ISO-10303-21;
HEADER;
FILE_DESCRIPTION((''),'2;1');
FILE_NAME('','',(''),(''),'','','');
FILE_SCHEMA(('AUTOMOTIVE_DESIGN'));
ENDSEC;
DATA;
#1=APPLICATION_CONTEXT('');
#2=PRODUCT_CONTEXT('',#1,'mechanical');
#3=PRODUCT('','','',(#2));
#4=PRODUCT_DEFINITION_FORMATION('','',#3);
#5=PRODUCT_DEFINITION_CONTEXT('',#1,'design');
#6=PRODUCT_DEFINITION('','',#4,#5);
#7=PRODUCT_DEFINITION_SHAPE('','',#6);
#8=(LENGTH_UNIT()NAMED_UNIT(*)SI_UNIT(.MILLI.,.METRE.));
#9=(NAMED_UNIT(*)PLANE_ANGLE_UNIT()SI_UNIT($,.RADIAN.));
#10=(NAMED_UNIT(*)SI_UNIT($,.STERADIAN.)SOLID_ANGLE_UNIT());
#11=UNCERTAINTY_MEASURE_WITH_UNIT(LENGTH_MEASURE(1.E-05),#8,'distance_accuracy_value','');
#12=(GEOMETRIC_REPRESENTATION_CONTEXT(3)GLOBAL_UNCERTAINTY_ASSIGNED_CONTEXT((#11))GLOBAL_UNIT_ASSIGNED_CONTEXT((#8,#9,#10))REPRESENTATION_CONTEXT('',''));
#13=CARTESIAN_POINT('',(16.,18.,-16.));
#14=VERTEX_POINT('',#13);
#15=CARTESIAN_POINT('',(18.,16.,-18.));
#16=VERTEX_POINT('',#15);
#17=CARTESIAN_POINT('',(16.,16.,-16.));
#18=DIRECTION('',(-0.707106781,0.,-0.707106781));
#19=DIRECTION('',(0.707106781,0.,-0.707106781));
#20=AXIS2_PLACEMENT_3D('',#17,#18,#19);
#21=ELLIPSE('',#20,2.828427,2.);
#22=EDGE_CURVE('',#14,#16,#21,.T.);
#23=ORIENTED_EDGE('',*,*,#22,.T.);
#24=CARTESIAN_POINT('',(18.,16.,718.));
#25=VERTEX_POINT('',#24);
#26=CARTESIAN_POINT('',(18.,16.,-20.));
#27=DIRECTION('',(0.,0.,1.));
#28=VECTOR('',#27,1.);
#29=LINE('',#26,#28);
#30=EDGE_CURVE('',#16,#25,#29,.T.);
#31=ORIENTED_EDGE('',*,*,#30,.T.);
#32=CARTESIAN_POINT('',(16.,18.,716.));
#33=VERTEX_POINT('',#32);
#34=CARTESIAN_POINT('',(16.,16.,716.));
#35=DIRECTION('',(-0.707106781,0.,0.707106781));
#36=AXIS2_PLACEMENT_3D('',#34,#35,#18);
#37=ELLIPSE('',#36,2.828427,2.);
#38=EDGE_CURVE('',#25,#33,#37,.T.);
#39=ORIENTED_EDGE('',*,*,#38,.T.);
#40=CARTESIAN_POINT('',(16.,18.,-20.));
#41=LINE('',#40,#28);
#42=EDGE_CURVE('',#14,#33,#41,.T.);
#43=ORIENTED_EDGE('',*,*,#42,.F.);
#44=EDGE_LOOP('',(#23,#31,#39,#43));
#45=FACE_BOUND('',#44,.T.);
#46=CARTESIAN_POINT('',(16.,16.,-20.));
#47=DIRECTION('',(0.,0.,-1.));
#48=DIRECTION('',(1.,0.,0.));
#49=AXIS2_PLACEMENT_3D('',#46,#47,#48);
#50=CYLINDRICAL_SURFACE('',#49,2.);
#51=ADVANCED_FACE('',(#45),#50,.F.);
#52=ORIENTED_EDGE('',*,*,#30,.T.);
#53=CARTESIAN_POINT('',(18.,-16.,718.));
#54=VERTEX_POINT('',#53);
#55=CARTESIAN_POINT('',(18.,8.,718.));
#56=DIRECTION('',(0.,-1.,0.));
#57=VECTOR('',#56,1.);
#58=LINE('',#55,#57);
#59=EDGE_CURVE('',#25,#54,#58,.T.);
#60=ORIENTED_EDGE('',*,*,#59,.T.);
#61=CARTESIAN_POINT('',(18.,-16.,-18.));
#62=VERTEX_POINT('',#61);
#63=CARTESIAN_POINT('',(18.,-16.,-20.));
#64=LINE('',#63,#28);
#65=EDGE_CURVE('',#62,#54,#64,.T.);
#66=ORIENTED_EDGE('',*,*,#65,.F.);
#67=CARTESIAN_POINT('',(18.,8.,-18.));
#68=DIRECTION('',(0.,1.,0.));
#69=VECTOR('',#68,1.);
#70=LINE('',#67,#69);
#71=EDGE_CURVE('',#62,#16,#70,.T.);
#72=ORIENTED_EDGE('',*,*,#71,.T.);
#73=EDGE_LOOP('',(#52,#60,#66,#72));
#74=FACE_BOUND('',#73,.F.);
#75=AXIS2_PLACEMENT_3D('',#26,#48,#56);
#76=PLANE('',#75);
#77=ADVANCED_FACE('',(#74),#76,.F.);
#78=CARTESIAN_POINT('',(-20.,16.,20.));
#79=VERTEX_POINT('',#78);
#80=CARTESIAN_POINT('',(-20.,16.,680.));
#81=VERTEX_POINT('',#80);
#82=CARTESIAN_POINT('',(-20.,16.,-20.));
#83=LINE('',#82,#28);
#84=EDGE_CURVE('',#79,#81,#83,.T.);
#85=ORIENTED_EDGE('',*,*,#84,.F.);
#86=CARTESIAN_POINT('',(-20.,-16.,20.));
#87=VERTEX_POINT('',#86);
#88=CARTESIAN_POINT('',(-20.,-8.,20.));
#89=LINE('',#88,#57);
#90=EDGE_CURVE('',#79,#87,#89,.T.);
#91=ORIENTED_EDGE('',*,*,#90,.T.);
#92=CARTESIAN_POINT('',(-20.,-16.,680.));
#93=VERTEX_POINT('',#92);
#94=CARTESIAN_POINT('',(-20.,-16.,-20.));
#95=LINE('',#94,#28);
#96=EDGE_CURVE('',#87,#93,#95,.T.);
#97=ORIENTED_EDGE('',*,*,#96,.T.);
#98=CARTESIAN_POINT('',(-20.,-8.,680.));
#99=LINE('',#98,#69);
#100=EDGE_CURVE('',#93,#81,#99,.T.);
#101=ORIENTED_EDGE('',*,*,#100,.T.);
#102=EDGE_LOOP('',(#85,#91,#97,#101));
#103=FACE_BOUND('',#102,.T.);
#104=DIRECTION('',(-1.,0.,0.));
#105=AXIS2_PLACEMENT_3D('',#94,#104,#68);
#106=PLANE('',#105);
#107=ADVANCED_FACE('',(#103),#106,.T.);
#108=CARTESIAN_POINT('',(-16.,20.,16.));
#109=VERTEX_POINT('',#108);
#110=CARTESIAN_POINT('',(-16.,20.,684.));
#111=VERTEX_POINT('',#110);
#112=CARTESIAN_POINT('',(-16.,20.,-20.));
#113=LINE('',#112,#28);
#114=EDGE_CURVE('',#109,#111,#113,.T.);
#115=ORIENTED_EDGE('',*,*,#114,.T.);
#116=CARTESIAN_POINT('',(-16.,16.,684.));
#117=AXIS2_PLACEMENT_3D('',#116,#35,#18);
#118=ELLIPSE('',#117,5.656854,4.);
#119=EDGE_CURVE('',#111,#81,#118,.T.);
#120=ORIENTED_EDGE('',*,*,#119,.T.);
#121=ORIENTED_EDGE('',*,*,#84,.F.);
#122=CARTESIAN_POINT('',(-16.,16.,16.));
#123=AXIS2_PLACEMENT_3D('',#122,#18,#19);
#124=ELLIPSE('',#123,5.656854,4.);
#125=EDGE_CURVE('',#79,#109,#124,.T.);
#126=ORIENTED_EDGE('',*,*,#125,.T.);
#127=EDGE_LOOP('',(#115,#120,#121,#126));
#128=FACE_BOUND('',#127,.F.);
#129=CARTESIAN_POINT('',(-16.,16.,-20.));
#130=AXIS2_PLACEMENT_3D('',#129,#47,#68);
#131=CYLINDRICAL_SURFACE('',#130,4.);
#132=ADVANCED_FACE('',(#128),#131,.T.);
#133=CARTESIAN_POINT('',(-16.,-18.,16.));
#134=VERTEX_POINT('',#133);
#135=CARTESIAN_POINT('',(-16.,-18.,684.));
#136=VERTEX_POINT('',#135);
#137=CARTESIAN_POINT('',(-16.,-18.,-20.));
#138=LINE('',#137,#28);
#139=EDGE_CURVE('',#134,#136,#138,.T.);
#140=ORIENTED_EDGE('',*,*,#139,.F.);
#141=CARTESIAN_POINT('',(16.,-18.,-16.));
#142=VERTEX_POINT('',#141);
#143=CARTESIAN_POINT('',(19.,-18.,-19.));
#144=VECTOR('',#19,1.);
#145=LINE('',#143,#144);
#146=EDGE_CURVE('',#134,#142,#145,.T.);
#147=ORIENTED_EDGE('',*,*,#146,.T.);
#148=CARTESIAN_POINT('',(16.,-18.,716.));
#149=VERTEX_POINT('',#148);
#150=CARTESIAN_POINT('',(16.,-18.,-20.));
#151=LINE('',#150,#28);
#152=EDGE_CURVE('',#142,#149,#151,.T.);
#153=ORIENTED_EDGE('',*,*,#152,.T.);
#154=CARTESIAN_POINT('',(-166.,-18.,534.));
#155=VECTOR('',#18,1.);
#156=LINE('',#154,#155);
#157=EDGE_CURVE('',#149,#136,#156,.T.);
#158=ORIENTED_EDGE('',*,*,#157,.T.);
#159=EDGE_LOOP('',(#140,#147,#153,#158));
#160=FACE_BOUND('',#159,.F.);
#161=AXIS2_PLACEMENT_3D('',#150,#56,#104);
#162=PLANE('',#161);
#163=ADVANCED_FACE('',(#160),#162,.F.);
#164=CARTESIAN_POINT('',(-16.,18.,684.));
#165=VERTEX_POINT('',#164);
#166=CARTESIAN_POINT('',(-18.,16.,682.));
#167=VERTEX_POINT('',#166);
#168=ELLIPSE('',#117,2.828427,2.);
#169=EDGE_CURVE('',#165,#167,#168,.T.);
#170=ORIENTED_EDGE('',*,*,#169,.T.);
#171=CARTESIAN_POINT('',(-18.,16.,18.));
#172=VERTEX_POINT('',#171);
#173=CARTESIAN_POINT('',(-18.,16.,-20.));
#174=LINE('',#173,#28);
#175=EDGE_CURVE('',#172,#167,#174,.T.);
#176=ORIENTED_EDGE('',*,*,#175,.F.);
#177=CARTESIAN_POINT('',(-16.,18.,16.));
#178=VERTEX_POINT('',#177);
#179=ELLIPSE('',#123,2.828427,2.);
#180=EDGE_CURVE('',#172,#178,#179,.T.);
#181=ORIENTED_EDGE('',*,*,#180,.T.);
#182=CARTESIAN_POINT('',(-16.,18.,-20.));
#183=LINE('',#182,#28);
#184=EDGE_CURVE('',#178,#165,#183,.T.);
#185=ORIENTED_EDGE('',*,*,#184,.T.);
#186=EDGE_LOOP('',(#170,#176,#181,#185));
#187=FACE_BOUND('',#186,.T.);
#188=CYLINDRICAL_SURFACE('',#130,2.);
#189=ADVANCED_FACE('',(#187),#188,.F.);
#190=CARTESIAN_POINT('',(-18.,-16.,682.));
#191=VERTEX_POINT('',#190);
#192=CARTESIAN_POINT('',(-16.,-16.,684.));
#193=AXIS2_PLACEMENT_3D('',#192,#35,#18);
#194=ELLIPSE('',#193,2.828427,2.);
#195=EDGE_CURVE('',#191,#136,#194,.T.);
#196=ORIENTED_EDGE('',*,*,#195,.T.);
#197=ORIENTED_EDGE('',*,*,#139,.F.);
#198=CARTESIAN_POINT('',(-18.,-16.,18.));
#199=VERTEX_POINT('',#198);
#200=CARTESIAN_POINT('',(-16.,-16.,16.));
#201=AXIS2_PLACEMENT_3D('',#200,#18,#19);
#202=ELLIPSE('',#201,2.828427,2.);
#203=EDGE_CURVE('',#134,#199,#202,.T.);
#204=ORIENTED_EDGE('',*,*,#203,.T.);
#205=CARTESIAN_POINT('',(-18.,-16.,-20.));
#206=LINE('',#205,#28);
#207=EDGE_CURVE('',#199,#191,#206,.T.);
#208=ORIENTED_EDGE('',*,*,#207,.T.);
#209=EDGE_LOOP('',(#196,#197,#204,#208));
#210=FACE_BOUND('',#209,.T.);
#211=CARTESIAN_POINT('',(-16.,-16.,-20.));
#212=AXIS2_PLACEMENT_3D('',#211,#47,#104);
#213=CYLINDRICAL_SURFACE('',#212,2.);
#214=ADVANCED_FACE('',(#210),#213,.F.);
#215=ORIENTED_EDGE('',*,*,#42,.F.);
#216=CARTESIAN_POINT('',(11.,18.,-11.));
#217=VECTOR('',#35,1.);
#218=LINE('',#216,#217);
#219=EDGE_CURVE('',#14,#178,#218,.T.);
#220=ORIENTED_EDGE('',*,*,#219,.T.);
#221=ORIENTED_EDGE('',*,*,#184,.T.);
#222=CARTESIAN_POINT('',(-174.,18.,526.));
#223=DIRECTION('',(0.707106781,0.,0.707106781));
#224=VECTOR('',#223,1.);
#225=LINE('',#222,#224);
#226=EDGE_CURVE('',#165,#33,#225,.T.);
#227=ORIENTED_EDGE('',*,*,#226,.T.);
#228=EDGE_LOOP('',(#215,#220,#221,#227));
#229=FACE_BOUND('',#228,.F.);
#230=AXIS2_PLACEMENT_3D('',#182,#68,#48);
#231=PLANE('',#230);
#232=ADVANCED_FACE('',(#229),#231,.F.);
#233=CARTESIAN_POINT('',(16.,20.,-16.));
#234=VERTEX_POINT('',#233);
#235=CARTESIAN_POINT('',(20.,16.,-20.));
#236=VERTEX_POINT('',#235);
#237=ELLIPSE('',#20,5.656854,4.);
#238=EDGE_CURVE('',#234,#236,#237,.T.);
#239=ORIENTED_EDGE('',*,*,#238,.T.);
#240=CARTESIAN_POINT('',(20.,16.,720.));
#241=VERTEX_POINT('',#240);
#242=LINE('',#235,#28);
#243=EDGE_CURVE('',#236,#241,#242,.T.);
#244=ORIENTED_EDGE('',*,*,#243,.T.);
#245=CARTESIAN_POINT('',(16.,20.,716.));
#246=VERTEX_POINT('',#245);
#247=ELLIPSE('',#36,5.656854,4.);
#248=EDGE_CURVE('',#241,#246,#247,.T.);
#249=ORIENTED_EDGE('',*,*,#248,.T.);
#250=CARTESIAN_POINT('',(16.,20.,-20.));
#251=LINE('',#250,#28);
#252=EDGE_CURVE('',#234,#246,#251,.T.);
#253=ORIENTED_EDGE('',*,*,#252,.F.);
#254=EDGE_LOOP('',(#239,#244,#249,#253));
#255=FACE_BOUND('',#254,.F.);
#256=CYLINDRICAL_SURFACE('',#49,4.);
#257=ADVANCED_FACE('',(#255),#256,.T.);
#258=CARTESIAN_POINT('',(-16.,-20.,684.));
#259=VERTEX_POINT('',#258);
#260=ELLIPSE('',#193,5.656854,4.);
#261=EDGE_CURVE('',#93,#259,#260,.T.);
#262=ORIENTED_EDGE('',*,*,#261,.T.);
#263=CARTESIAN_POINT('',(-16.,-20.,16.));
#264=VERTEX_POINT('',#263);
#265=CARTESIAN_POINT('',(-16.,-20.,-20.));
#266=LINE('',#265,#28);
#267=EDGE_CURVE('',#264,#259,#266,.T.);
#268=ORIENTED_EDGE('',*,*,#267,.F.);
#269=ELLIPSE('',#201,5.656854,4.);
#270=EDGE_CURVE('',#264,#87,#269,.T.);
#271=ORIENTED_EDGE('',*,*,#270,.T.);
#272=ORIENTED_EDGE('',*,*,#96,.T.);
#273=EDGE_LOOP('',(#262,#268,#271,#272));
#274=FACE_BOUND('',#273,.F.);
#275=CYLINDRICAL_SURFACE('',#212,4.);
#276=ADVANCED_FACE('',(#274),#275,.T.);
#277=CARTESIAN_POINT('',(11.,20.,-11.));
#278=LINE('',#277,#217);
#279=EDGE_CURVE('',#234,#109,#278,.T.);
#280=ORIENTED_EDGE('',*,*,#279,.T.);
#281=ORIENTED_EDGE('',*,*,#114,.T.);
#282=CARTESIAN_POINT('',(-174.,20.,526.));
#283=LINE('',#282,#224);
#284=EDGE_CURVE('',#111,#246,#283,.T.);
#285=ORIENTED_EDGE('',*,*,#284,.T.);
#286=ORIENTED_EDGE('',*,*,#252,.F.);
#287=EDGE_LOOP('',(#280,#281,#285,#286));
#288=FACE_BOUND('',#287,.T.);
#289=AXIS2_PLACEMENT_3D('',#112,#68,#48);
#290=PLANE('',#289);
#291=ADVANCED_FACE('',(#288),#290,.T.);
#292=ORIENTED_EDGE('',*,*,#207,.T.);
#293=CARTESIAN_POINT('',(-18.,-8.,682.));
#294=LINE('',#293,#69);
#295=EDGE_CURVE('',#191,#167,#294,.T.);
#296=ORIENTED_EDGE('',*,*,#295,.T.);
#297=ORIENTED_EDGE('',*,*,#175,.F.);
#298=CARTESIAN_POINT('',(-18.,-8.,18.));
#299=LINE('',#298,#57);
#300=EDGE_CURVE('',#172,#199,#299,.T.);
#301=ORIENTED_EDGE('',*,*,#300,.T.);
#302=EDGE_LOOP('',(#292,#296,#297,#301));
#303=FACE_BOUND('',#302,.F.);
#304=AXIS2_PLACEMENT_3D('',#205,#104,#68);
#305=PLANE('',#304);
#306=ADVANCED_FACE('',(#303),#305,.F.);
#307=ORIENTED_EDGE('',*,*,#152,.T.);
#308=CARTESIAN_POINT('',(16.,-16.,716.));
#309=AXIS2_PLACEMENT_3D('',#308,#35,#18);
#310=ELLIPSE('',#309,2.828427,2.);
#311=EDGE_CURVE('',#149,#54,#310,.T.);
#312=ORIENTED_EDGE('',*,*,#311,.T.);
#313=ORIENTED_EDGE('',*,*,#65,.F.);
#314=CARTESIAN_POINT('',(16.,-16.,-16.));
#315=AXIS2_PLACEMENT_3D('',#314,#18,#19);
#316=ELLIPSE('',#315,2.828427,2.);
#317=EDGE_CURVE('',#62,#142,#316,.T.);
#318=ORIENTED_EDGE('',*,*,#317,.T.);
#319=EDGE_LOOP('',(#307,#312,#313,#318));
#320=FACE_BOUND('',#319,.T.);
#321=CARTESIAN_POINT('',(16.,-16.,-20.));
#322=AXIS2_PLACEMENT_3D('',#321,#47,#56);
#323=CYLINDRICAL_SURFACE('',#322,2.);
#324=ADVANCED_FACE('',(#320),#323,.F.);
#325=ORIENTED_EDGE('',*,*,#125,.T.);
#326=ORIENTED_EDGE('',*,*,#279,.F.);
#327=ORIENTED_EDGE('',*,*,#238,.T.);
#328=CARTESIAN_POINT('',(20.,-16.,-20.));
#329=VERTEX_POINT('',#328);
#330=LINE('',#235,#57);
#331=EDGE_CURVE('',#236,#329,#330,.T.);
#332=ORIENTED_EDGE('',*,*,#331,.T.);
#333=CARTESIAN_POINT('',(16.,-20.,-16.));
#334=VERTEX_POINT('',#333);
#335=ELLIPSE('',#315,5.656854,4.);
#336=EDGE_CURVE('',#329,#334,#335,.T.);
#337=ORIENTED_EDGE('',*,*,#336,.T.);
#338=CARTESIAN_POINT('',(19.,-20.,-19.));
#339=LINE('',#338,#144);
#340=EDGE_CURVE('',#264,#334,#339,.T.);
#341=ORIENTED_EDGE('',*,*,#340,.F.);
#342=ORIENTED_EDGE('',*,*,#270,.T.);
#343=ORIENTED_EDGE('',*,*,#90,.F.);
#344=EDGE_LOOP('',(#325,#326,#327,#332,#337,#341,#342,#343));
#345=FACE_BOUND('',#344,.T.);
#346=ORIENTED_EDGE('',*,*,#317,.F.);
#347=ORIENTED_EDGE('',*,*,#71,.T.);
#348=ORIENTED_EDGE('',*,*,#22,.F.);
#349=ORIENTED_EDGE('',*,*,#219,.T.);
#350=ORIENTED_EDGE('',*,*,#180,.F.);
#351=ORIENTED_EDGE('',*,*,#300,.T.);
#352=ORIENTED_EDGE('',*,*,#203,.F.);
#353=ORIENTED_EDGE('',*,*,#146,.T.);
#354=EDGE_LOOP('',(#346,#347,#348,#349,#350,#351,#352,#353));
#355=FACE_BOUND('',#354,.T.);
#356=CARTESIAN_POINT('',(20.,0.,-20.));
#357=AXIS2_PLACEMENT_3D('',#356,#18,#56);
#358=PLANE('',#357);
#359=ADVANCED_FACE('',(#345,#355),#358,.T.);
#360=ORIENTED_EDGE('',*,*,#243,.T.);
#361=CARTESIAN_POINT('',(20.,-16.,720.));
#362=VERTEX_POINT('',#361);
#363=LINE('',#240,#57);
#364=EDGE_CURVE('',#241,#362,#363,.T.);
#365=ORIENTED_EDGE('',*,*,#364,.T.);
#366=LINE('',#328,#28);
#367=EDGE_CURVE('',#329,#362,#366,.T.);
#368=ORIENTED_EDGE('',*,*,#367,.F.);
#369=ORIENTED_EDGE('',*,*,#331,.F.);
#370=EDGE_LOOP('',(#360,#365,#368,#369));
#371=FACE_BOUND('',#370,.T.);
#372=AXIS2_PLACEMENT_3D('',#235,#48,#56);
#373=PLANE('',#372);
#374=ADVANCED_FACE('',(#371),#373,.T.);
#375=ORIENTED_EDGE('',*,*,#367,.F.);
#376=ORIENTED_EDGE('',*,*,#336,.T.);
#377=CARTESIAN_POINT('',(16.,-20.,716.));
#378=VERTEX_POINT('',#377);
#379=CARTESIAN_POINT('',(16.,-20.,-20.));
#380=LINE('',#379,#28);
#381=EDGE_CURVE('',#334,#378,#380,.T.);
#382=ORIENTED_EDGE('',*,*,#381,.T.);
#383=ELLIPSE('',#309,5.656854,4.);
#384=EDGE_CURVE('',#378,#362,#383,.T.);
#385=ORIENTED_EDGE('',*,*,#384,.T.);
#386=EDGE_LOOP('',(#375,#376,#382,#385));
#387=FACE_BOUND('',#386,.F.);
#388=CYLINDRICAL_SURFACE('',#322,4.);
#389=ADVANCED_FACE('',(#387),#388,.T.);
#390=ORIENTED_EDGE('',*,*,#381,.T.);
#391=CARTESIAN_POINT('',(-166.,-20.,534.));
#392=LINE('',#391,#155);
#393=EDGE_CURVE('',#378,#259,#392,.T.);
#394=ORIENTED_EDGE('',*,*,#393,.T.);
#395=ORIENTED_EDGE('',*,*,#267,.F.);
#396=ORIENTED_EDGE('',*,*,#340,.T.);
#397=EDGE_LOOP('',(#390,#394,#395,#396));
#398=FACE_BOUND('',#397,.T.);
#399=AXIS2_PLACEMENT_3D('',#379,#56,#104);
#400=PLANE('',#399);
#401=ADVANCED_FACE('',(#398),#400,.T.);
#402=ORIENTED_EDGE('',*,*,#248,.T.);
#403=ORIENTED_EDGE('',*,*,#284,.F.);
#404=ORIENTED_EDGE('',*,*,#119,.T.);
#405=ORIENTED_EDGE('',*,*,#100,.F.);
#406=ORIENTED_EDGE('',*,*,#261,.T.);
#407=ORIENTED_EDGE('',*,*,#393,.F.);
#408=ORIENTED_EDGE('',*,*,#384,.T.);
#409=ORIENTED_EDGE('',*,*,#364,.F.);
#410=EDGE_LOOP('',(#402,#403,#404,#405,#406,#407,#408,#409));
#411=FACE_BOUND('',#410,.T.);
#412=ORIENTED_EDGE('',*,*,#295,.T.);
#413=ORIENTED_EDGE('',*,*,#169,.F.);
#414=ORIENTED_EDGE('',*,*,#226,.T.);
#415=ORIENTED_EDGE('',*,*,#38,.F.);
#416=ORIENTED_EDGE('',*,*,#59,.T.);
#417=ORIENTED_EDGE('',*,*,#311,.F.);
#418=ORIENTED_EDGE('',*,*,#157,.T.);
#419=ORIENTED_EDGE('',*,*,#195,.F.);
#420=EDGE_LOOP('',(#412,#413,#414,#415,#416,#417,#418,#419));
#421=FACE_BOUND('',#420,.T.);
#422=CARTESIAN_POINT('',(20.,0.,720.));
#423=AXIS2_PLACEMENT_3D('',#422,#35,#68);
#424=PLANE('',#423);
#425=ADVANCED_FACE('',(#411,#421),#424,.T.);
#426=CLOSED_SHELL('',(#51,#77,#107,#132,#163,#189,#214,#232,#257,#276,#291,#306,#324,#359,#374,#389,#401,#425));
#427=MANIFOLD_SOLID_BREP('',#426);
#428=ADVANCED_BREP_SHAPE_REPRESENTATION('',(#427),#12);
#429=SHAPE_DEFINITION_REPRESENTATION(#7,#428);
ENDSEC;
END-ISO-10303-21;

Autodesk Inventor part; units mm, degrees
ref_plane "Start plane" through (0, 0, -20) normal (0, 0, 1) x (1, 0, 0)
ref_plane "End plane" through (0, 0, 720) normal (0, 0, 1) x (1, 0, 0)
sketch "Sketch" plane through (0, 0, 0) normal (0, 0, 1) x (1, 0, 0)
  line L0 (-20, -16) -> (-20, 16)
  line L1 (-16, 20) -> (16, 20)
  line L2 (20, 16) -> (20, -16)
  line L3 (16, -20) -> (-16, -20)
  arc A0 (-20, -16) -> (-16, -20) centre (-16, -16) ccw
  arc A1 (20, 16) -> (16, 20) centre (16, 16) ccw
  arc A2 (-16, 20) -> (-20, 16) centre (-16, 16) ccw
  arc A3 (16, -20) -> (20, -16) centre (16, -16) ccw
  arc A4 (-16, 18) -> (-18, 16) centre (-16, 16) ccw
  line L4 (-16, 18) -> (16, 18)
  arc A5 (18, 16) -> (16, 18) centre (16, 16) ccw
  line L5 (18, 16) -> (18, -16)
  arc A6 (16, -18) -> (18, -16) centre (16, -16) ccw
  line L6 (16, -18) -> (-16, -18)
  arc A7 (-18, -16) -> (-16, -18) centre (-16, -16) ccw
  line L7 (-18, -16) -> (-18, 16)
  line L8 (0, 29.1598) -> (0, -29.1598) construction
  line L9 (-29.1598, 0) -> (29.1598, 0) construction
  dimension "d7" = 4
  dimension "d9" = 40
  dimension "d11" = 40
  dimension "d12" = 2
  dimension "d15" = 20
  dimension "d16" = 20
extrude "Body" add sketch "Sketch" along normal up to surface (740 mm away) from surface at -20
sketch "Sketch3" plane through (0, 0, 0) normal (0, 0, 1) x (1, 0, 0)
  line L0 (0, 0) -> (10, 0)
ref_plane "Work Plane3" through (0, 0, 0) normal (0, -1, 0) x (1, 0, 0)
sketch "Sketch4" plane through (0, 0, 0) normal (0, -1, 0) x (1, 0, 0)
  line L0 (-2, -20) -> (12, -20)
  line L1 (-2, 720) -> (12, 720)
  dimension "d18" = 740
ref_plane "Work Plane4" through (20, 0, -20) normal (-0.7071, 0, -0.7071) x (-0.7071, 0, 0.7071)
split "Split1" plane through (20, 0, -20) removes the side toward (-0.7071, 0, -0.7071)
ref_plane "Work Plane5" through (20, 0, 720) normal (-0.7071, 0, 0.7071) x (0.7071, 0, 0.7071)
split "Split2" plane through (20, 0, 720) removes the side toward (-0.7071, 0, 0.7071)
equation "\"d7\" = G_IR"
equation "\"d9\" = G_W"
equation "\"d11\" = G_H"
equation "\"d12\" = G_T"
equation "\"d15\" = 0.5 * d9"
equation "\"d16\" = 0.5 * d11"
equation "\"d3\" = G_L"
equation "\"G_W\" = 40"
equation "\"G_H\" = 40"
equation "\"G_T\" = 2"
equation "\"G_IR\" = 4"
equation "\"G_L\" = d18"
equation "\"G_OFFSET_START\" = 20"
equation "\"G_OFFSET_END\" = 20"
equation "\"d13\" = -G_OFFSET_START"
equation "\"d14\" = G_OFFSET_END + B_L"
equation "\"B_L\" = 700"
properties part number "ISO 4019 - 40x40x2 - 740" material "Steel, Mild"
